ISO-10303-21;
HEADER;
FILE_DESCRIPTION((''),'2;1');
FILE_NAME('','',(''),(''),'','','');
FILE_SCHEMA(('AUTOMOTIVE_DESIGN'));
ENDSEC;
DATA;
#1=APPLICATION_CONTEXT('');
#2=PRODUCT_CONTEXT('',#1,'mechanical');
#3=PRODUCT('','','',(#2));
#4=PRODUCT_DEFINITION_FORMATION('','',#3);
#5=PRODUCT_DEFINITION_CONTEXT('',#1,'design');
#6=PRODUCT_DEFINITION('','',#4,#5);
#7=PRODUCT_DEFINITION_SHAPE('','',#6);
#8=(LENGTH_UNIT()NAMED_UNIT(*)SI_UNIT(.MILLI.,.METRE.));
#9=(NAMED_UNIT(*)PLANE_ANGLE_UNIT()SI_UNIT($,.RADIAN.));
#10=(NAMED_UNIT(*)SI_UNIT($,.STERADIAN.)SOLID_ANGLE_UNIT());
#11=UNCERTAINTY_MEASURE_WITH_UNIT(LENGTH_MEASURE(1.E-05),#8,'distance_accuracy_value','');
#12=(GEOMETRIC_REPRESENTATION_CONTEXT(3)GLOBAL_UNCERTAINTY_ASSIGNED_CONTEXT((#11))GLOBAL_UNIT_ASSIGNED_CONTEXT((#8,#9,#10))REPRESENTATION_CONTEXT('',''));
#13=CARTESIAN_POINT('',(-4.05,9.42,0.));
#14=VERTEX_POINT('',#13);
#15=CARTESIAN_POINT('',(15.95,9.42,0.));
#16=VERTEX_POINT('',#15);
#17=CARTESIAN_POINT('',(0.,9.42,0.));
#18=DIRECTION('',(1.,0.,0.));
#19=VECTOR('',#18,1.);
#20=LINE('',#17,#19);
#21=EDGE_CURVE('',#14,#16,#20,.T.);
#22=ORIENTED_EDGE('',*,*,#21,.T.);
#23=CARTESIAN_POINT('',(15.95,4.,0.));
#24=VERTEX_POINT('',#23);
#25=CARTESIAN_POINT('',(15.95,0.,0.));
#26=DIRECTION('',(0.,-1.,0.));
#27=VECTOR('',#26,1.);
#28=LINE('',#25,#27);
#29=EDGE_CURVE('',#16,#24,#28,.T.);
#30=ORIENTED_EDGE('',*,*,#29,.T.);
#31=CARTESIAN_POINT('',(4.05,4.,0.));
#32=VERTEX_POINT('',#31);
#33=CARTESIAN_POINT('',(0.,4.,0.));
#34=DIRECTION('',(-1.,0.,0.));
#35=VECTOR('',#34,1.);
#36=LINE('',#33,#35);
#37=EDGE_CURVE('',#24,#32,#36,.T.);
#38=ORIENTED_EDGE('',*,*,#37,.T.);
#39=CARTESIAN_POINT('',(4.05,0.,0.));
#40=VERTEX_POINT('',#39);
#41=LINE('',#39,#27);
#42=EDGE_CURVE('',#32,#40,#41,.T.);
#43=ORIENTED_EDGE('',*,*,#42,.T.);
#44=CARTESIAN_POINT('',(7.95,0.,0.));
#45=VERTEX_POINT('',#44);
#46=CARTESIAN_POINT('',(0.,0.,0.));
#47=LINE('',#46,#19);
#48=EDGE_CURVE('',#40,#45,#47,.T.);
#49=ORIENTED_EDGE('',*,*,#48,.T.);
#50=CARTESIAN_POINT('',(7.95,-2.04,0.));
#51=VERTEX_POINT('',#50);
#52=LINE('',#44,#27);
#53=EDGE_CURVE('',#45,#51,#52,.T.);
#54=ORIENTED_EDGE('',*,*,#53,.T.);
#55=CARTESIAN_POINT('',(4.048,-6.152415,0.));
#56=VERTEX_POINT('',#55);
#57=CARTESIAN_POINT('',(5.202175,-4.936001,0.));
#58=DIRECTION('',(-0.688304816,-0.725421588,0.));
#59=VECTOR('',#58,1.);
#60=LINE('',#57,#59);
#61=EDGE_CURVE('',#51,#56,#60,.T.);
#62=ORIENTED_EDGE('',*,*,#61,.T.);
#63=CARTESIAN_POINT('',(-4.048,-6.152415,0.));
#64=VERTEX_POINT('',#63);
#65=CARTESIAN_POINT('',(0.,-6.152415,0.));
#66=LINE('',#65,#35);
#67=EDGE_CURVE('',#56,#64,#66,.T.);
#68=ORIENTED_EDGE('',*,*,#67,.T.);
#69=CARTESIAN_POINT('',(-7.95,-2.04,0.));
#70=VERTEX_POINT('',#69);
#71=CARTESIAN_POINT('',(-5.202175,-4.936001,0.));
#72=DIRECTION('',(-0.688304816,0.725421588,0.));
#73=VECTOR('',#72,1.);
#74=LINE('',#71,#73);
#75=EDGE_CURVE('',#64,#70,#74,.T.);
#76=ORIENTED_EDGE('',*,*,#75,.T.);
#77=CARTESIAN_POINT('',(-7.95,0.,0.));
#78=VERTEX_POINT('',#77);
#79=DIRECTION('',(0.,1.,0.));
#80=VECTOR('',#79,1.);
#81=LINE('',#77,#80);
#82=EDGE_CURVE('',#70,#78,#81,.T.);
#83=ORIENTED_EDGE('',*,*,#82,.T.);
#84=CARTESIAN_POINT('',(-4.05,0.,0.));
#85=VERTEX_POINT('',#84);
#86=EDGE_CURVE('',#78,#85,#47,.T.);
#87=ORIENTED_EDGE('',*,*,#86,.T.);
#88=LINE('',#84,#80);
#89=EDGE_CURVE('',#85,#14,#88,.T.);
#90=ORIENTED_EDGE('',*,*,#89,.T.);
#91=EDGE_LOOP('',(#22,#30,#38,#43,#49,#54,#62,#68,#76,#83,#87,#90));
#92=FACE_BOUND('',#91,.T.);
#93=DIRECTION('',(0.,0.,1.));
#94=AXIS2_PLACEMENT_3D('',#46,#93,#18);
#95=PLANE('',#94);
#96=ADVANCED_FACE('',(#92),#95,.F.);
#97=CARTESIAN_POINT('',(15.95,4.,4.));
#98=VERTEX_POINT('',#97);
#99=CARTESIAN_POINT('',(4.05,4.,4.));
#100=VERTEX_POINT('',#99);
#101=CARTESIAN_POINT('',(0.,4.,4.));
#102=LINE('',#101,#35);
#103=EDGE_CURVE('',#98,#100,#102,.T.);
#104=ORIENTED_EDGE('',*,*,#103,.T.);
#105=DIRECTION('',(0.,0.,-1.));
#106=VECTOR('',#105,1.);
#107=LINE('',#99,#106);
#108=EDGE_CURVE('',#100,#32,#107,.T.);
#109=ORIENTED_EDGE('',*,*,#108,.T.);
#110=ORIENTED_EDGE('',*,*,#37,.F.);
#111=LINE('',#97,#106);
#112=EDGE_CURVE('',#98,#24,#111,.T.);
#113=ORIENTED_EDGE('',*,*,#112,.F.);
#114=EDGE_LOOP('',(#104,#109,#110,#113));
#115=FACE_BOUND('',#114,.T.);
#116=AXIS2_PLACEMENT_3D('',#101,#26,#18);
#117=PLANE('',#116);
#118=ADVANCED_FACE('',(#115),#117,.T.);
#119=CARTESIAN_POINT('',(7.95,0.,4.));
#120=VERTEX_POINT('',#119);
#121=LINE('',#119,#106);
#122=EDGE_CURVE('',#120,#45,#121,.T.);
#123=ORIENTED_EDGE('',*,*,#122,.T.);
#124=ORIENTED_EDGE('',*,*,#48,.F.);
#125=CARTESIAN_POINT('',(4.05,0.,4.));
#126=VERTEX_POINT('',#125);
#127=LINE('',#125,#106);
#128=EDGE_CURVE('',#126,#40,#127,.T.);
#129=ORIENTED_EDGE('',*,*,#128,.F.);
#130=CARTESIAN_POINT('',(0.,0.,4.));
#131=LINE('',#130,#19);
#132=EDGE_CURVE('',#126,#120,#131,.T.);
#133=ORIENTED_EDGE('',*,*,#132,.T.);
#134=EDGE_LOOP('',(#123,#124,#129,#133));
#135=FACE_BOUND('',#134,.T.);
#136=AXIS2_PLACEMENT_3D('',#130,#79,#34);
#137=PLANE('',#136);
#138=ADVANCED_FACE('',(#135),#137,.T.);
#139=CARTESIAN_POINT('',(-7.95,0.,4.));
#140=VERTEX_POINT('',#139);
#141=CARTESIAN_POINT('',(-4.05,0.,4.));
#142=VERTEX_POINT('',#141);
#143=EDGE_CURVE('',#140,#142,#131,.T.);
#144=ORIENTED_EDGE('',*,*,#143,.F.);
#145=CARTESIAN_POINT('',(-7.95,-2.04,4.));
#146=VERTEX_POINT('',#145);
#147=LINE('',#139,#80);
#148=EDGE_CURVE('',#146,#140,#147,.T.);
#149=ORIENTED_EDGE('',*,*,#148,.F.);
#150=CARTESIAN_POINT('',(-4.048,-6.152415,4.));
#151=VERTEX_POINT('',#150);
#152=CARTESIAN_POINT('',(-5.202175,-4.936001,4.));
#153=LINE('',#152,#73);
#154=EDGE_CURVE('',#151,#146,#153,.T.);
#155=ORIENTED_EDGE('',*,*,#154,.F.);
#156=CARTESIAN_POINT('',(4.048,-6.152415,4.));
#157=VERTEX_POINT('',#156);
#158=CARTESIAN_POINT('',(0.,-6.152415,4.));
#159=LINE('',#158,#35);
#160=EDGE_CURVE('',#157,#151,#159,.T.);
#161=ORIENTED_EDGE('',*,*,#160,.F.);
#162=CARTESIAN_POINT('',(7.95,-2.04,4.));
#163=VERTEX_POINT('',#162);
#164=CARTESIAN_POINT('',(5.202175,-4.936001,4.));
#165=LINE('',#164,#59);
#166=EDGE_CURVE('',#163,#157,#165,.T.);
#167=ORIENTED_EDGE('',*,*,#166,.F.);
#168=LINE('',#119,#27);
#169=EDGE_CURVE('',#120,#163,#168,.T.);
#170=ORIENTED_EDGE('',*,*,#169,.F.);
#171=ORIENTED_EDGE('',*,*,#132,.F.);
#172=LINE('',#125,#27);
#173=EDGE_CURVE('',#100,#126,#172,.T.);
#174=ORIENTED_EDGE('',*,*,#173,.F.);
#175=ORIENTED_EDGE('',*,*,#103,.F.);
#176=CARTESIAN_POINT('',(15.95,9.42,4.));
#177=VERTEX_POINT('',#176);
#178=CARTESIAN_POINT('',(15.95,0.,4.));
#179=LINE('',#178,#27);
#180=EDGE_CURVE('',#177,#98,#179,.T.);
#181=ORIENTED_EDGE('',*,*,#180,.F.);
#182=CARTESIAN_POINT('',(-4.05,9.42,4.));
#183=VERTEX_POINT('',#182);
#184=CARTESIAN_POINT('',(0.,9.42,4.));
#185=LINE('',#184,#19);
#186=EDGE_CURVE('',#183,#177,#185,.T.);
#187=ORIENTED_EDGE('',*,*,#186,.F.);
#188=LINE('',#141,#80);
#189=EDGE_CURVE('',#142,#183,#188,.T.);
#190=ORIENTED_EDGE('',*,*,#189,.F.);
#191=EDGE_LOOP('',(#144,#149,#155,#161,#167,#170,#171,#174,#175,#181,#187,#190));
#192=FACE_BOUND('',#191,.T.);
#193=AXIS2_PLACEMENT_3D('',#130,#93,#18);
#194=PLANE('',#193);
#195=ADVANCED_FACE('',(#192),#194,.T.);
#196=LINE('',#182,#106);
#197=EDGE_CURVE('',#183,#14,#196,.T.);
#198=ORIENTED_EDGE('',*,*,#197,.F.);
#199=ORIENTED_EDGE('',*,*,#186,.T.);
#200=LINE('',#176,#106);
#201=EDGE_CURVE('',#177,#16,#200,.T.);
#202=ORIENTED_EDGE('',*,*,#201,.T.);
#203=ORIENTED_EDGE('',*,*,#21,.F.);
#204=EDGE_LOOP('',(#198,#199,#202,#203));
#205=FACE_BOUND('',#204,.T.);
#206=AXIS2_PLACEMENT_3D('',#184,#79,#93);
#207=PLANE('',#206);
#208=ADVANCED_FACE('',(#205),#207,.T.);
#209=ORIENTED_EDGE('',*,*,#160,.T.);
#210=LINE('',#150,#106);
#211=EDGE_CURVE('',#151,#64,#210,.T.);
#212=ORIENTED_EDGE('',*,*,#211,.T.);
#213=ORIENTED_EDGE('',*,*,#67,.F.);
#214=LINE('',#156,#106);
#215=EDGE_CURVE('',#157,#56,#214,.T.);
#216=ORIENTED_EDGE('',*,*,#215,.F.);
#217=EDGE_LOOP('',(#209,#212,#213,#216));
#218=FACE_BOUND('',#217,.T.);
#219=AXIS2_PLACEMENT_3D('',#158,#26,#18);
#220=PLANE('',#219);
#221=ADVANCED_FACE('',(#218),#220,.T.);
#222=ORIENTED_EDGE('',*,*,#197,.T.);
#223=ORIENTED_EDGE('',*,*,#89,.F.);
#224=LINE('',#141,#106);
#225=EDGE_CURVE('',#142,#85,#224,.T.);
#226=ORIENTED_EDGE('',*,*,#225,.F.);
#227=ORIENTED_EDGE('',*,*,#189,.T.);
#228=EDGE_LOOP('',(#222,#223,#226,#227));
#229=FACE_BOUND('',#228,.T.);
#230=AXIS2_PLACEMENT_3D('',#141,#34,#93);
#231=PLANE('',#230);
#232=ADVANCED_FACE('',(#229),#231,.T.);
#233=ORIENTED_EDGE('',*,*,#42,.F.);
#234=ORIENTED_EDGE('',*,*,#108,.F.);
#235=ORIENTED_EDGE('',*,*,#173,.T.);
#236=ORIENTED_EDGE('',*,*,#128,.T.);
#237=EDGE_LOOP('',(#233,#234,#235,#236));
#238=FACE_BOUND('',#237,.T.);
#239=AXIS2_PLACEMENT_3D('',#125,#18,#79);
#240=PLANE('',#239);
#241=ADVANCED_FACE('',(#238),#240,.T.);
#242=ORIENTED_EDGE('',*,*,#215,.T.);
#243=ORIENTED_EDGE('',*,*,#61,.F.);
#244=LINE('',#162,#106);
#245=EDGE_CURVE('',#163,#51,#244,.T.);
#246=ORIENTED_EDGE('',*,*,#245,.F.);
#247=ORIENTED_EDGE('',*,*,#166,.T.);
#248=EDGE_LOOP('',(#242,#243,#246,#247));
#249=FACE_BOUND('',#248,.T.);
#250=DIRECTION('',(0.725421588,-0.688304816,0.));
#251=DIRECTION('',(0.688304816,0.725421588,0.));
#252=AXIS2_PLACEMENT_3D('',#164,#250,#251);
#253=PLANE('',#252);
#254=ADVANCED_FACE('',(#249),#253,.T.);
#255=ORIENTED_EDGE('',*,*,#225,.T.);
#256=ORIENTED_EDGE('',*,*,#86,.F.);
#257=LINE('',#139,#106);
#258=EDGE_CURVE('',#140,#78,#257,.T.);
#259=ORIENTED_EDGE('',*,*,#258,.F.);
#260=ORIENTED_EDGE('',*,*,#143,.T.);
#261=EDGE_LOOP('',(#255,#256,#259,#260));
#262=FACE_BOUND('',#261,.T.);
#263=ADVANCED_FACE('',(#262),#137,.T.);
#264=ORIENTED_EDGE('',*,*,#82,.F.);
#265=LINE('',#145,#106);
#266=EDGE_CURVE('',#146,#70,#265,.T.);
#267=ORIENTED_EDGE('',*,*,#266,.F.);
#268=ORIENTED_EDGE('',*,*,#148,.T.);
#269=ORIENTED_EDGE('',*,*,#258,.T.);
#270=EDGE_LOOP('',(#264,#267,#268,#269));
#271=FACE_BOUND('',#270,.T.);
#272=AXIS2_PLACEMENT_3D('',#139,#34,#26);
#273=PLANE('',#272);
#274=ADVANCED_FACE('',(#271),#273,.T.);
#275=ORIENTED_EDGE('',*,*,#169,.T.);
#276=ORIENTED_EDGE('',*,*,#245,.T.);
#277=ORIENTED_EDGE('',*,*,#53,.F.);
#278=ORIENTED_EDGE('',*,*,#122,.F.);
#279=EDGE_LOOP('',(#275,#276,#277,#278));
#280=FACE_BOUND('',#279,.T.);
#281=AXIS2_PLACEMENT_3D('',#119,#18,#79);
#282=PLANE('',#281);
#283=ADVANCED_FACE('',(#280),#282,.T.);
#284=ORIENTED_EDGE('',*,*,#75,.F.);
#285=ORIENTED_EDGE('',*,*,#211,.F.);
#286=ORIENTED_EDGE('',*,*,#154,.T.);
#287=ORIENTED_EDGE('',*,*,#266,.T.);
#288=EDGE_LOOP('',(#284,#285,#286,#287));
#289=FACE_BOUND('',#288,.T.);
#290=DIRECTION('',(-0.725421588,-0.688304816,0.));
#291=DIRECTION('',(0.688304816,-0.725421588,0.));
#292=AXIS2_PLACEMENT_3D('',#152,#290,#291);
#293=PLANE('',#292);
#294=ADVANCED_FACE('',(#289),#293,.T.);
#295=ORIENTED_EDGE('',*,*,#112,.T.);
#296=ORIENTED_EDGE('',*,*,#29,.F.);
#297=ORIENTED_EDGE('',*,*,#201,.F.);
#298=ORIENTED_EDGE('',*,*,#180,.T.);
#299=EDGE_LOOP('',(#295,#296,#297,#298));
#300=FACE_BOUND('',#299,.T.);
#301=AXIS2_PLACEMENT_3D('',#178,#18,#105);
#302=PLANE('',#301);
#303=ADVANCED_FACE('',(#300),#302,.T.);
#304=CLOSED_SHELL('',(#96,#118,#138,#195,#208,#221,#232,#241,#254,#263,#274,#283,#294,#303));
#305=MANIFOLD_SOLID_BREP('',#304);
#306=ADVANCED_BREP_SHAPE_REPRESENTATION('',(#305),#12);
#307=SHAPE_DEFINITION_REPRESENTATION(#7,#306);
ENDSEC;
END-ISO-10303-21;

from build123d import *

# Parameters (mm, degrees)
BOSS_EXTRUDE1_DEPTH = 4


with BuildPart() as part:
    # Sketch1 → Boss-Extrude1 (new body)
    with BuildSketch(Plane.XY):
        Polygon((-7.95, -2.04), (-7.95, 0), (7.95, 0), (7.95, -2.04), (4.048, -6.152414984), (-4.048, -6.152414984), align=None)
        Polygon((-4.05, 9.42), (-4.05, 0), (4.05, 0), (4.05, 4), (15.95, 4), (15.95, 9.42), align=None)
    extrude(amount=BOSS_EXTRUDE1_DEPTH)


solid = part.part
